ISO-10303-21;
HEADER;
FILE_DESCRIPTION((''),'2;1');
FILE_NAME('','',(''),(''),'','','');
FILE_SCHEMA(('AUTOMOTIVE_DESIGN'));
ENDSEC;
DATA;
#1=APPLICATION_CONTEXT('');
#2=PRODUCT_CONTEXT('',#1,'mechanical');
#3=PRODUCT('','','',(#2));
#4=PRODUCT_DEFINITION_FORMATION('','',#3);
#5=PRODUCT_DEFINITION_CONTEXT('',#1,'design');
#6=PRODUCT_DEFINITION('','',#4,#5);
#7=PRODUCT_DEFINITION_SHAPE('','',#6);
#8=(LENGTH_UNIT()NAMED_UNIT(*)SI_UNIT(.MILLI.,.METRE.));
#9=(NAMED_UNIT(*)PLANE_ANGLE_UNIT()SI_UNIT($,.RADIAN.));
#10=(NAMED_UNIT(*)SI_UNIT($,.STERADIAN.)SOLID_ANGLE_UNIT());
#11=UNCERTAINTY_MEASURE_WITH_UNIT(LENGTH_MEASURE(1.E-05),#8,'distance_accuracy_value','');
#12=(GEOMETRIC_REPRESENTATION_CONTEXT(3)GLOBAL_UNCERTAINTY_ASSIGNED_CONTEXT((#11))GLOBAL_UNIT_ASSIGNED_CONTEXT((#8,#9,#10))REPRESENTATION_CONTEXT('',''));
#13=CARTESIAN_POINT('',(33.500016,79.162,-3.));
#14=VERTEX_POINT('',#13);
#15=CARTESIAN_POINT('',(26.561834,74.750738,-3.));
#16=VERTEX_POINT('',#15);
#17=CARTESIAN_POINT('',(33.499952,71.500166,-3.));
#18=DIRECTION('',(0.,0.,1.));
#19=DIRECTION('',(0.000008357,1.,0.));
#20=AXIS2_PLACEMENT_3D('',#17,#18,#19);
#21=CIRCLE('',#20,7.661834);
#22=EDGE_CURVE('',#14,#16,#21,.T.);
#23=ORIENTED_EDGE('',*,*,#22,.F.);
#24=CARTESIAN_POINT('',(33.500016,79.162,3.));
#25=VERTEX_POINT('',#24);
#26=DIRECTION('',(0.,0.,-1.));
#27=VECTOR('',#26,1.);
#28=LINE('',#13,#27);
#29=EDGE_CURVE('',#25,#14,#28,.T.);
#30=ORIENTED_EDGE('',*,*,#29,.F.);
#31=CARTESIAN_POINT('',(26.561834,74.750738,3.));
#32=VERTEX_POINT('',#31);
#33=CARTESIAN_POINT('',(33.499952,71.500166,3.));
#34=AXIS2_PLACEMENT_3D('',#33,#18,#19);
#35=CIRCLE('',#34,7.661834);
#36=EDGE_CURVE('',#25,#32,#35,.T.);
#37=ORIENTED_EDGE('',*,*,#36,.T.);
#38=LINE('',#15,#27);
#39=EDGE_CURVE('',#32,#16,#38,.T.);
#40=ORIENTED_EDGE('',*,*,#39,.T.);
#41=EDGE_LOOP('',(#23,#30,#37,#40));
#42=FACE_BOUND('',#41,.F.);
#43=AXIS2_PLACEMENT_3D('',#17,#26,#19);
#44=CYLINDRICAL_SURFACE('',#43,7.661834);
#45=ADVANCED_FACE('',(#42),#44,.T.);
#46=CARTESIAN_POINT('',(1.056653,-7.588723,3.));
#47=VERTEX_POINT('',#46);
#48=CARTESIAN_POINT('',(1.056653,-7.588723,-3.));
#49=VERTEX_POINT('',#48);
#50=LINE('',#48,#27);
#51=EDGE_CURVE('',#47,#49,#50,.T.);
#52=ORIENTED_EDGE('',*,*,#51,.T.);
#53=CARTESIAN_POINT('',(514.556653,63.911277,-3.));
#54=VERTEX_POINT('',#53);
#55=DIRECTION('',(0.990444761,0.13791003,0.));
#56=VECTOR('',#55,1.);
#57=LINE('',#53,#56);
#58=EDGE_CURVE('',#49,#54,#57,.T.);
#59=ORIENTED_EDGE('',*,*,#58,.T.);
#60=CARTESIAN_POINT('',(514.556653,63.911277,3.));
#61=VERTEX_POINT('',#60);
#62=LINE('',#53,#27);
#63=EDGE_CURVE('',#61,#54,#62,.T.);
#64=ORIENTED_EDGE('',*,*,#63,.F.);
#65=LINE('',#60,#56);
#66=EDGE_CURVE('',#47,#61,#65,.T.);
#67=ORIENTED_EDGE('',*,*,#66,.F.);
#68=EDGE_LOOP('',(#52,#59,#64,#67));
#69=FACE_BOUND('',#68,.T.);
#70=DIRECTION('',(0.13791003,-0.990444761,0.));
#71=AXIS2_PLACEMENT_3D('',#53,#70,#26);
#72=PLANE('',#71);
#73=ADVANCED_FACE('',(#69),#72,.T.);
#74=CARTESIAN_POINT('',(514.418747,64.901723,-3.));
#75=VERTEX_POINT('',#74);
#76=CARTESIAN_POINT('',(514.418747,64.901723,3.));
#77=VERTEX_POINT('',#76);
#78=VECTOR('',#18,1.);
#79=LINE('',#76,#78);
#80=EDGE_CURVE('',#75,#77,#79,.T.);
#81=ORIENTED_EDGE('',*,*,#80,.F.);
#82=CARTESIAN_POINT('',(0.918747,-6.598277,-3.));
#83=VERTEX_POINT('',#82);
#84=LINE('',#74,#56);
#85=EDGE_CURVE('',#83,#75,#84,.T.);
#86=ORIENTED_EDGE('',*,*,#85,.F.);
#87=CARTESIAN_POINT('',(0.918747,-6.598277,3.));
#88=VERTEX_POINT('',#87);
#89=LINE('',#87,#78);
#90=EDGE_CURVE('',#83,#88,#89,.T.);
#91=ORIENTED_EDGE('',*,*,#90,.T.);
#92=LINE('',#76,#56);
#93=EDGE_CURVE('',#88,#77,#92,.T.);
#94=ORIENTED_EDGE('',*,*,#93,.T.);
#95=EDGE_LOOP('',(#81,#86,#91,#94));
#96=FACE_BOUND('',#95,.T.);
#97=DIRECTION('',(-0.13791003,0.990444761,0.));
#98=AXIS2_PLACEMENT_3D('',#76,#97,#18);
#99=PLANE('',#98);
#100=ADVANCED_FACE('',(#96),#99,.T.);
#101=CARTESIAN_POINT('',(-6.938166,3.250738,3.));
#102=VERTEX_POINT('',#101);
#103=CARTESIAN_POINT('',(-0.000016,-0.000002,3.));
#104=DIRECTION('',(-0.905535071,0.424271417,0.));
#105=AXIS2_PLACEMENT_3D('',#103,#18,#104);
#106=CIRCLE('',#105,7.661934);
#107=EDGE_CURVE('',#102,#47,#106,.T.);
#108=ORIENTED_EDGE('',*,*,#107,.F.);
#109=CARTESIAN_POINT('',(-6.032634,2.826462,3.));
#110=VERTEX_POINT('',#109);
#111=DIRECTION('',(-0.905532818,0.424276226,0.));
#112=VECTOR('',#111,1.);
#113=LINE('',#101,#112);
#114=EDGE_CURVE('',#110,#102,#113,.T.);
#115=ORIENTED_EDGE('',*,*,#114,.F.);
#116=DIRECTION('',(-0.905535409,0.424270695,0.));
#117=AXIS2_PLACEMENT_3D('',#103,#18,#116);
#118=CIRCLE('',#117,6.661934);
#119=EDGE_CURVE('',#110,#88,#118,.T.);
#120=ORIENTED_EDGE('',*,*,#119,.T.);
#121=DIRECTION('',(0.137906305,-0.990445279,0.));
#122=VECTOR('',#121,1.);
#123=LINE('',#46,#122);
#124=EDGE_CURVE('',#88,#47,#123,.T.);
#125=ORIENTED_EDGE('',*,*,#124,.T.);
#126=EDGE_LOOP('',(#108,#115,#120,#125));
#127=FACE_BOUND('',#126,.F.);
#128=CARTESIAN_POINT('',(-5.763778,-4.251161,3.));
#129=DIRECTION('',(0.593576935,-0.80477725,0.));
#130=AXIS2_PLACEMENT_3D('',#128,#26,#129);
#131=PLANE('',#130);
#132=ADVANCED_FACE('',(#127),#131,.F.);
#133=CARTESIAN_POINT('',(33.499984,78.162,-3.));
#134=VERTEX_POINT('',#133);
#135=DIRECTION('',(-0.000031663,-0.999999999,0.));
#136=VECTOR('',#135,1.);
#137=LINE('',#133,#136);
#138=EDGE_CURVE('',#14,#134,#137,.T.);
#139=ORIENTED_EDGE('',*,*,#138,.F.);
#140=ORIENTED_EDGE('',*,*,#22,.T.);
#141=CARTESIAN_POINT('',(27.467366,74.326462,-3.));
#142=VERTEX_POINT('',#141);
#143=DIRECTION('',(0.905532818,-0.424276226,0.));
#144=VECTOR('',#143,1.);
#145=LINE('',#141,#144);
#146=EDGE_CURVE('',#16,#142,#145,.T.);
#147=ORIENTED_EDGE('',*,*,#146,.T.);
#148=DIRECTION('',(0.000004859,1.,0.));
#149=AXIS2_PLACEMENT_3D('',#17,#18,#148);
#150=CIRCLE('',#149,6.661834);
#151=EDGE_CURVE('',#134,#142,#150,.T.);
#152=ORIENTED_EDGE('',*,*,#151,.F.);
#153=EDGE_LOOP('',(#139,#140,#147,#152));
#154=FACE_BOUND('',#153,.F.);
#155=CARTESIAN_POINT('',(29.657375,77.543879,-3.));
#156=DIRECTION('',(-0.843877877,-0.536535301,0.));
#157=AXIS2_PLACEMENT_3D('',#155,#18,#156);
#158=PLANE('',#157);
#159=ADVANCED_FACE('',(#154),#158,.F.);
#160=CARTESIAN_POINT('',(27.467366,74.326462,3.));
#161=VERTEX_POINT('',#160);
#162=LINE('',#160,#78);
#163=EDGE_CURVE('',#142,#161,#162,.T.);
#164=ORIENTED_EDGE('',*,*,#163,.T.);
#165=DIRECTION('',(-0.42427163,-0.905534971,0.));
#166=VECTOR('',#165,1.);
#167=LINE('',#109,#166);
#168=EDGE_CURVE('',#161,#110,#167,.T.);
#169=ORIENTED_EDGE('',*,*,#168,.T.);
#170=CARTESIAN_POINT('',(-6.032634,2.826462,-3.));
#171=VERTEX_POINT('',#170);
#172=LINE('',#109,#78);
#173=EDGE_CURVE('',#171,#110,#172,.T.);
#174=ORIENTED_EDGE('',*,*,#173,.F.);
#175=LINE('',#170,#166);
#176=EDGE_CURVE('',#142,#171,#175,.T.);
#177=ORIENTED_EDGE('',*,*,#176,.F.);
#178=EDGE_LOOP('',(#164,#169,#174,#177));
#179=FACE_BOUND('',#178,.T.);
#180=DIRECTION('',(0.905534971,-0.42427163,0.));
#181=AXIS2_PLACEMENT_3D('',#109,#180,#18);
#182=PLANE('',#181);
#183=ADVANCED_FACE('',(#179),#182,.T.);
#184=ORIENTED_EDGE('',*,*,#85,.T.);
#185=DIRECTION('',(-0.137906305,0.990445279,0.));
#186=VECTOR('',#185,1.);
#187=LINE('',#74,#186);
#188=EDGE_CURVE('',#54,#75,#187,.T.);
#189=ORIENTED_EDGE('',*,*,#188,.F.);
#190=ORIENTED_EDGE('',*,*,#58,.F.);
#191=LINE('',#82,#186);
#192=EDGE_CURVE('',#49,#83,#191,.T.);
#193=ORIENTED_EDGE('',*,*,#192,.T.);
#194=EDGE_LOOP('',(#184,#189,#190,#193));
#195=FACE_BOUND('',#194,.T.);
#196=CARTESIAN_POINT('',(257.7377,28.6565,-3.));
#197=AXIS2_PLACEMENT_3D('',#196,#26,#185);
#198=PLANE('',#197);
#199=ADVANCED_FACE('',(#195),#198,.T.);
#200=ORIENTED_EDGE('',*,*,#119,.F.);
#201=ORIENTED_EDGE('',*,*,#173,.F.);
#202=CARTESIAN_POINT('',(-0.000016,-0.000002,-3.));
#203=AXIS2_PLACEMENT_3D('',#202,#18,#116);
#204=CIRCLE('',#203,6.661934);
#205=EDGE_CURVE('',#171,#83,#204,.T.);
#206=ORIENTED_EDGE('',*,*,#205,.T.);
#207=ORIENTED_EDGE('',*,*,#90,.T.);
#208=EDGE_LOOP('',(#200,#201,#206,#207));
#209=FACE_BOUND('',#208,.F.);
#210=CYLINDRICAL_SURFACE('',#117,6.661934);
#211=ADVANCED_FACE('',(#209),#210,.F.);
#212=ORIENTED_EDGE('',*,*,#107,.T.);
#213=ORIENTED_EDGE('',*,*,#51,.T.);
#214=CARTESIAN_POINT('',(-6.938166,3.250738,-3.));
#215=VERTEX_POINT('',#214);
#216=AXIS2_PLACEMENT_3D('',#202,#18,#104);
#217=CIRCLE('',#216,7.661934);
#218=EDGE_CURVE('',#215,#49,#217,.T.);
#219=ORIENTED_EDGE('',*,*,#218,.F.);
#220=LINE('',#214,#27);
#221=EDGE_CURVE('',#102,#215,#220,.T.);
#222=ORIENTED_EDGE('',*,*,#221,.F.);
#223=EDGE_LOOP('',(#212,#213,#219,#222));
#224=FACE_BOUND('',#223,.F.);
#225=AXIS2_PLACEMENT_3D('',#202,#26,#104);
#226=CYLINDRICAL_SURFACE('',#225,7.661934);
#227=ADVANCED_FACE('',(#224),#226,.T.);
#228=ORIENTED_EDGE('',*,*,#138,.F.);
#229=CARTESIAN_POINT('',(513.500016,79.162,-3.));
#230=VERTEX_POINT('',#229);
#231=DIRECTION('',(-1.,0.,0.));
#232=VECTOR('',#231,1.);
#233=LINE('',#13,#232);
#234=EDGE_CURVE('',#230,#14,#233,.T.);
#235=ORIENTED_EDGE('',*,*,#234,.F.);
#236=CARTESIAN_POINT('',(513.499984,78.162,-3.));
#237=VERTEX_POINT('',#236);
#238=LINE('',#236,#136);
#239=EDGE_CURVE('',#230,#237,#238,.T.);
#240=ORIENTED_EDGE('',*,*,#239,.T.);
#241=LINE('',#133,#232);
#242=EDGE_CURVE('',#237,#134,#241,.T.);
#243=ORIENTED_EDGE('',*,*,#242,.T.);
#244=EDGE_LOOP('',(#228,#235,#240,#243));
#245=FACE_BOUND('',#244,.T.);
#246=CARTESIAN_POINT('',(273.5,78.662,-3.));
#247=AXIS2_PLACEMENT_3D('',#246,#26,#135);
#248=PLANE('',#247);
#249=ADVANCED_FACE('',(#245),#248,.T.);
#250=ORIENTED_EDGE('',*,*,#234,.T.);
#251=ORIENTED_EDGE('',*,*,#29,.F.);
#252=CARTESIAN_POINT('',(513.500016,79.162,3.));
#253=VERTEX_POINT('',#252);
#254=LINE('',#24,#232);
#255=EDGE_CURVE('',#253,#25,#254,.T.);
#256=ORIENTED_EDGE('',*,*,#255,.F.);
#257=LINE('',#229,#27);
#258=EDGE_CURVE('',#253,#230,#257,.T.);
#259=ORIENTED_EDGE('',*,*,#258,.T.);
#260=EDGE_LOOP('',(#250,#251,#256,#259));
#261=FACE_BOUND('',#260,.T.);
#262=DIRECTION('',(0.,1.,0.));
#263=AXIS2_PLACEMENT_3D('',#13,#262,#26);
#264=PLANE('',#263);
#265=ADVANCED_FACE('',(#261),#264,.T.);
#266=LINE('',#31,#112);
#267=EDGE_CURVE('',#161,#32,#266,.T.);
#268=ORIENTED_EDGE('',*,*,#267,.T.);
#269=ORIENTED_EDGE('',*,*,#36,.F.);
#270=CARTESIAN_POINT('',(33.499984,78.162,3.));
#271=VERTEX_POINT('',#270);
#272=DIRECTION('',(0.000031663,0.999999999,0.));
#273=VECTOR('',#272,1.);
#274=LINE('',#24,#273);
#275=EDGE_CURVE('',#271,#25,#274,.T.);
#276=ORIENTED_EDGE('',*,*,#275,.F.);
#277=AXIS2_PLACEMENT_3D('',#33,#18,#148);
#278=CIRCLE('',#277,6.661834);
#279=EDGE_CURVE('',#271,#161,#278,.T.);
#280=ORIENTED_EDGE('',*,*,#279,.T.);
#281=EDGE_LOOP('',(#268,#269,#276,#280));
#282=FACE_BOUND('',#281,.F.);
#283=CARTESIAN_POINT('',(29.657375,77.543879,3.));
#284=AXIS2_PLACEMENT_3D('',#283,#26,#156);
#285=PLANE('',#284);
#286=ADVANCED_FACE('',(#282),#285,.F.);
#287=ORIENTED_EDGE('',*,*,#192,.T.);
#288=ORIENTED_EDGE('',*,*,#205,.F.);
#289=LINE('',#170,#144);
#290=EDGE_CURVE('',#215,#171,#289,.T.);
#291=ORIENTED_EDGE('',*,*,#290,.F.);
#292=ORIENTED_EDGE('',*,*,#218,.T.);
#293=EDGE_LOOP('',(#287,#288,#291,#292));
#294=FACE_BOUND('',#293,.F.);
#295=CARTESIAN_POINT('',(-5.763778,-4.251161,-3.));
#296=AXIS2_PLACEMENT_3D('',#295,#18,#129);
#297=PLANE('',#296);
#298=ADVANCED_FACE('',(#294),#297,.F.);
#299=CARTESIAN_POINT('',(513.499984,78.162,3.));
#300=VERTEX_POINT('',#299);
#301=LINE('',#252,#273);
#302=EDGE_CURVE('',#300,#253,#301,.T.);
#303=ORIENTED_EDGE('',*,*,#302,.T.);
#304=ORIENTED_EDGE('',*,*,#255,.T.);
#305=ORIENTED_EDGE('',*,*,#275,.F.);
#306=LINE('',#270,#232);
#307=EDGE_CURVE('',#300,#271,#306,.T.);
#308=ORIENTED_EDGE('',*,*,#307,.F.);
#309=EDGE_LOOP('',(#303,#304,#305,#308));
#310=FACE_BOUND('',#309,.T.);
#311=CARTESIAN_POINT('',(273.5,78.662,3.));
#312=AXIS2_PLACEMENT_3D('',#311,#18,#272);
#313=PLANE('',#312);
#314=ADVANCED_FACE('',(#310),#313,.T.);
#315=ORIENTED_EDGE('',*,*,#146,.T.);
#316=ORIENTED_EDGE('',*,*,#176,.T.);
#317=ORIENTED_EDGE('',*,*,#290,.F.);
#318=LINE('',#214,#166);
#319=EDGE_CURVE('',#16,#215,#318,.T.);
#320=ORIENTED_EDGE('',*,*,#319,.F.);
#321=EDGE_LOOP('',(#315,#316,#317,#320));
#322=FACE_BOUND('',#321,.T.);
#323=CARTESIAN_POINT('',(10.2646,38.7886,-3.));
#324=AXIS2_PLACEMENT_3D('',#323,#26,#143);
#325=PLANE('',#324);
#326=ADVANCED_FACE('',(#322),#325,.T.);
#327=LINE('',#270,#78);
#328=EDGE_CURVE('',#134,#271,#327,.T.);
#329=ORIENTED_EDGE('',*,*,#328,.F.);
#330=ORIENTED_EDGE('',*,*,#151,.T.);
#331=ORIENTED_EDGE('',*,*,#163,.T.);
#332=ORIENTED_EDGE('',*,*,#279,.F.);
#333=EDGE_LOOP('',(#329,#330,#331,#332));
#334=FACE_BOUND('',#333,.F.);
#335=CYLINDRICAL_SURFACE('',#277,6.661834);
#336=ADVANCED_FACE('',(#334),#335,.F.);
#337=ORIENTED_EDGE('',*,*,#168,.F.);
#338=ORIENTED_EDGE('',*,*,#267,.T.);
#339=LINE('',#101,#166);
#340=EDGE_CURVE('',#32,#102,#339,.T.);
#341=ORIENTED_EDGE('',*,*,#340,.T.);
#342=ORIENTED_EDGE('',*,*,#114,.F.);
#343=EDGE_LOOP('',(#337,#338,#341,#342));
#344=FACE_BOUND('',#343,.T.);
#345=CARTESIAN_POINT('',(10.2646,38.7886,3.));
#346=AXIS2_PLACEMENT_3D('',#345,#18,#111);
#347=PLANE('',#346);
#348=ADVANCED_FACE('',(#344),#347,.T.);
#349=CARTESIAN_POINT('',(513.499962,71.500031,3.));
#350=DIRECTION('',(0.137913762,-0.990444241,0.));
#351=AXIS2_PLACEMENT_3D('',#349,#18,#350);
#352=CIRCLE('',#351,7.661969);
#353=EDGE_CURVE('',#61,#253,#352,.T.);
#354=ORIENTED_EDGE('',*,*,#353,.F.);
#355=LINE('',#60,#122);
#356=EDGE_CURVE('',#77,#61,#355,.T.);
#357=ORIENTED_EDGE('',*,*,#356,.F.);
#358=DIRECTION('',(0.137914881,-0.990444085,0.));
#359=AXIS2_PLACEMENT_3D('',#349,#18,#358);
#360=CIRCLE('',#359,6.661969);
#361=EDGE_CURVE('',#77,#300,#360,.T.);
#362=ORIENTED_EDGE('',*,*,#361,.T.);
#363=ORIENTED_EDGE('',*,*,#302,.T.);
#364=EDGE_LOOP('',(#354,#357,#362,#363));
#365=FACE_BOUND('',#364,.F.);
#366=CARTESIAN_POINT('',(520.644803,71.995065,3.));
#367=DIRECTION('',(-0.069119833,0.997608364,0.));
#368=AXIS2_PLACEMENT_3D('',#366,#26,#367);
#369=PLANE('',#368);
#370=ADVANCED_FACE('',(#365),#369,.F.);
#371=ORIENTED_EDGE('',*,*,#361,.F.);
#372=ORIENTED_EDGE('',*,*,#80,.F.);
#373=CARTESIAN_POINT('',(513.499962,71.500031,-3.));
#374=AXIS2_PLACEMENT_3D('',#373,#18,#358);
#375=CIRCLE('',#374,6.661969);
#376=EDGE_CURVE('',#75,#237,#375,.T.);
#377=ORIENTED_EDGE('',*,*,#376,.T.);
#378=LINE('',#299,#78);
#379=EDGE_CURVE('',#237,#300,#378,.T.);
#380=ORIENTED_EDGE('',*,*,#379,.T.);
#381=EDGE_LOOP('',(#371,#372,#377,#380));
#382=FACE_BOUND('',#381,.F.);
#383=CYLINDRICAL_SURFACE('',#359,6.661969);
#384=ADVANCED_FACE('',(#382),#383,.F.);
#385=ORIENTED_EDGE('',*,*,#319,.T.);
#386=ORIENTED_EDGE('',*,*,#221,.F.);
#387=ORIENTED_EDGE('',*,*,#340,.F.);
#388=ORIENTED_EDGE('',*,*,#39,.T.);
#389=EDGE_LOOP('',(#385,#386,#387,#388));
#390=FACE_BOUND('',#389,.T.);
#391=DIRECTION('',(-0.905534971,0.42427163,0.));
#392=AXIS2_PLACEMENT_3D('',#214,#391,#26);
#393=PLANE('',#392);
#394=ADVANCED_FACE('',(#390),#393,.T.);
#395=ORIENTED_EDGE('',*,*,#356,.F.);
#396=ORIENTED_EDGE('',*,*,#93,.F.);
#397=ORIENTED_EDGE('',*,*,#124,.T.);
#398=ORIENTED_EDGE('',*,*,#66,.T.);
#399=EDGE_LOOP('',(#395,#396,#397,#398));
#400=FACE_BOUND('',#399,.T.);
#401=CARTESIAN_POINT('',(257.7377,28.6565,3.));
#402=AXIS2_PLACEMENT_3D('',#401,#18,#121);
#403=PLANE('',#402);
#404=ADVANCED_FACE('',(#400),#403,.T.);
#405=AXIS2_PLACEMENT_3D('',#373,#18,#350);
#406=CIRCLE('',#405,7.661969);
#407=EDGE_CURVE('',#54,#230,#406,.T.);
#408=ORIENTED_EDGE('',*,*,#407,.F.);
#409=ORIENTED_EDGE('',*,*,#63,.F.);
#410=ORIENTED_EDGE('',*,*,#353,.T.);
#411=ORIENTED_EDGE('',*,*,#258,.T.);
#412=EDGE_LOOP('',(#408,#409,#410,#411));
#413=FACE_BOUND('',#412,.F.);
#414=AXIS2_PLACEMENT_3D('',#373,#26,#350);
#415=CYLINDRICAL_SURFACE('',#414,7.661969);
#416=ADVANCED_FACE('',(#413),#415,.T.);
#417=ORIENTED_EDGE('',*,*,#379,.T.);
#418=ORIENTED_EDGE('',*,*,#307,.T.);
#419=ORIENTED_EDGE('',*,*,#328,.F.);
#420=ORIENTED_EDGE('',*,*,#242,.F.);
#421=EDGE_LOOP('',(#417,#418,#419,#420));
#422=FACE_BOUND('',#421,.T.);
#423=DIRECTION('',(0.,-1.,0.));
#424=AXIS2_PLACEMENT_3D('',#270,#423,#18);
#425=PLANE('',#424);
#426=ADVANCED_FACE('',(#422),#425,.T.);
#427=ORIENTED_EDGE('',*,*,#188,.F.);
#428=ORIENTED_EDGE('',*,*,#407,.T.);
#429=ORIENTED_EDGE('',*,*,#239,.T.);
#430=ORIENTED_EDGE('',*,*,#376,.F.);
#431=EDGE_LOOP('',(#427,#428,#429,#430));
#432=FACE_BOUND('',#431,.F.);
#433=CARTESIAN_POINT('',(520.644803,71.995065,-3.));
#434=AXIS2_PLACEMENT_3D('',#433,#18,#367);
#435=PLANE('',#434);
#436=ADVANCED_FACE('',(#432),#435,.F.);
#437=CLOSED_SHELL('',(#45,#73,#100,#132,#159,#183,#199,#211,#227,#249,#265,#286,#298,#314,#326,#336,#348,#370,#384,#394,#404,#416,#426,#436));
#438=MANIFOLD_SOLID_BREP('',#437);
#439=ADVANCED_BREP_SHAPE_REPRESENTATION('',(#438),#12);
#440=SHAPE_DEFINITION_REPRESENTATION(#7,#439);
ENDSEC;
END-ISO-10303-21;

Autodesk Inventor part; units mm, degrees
sketch "Skizzenpfad" plane through (0, 0, 0) normal (0, 0, 1) x (1, 0, 0)
  arc A0 (-6.4854, 3.0386) -> (0.9877, -7.0935) centre (0, 0) ccw
  arc A1 (33.5, 78.662) -> (27.0146, 74.5386) centre (33.5, 71.5) ccw
  arc A2 (514.4877, 64.4065) -> (513.5, 78.662) centre (513.5, 71.5) ccw
  line L0 (514.4877, 64.4065) -> (0.9877, -7.0935)
  line L1 (-6.4854, 3.0386) -> (27.0146, 74.5386)
  line L2 (33.5, 78.662) -> (513.5, 78.662)
ref_plane "Querschnittsebene" through (0.9877, -7.0935, 0) normal (0.9904, 0.1379, 0) x (0, 0, 1)
ref_plane "Arbeitsebene2" through (0, 0, 0) normal (-1, 0, 0) x (0, 0, 1)
ref_plane "Arbeitsebene3" through (33.5, 71.5, 0) normal (-0.8511, -0.525, 0) x (0, 0, 1)
ref_plane "Arbeitsebene4" through (513.5, 71.5, 0) normal (-0.9895, 0.1449, 0) x (0, 0, 1)
sketch "Querschnitt" plane through (0.9877, -7.0935, 0) normal (0.9904, 0.1379, 0) x (0, 0, 1)
  line L0 (-3, 0.5) -> (3, 0.5)
  line L1 (3, 0.5) -> (3, -0.5)
  line L2 (3, -0.5) -> (-3, -0.5)
  line L3 (-3, -0.5) -> (-3, 0.5)
  line L4 (-3, 0) -> (3, 0) construction
  point P0 (0, 0)
  point P1 (0, 0)
  dimension "d0" = 6
  dimension "d4" = 0.5
  dimension "d5" = 0.5
sweep "Riemen" add profiles "Querschnitt" path "Skizzenpfad"
equation "\"d0\" = da_B"
equation "\"d4\" = da_a"
equation "\"d5\" = da_a2"
equation "\"da_B\" = 6"
equation "\"da_pb\" = 5"
equation "\"da_L\" = 1122.4128"
equation "\"da_a\" = 0.5"
equation "\"da_S\" = 2.65"
equation "\"da_Beta\" = 20deg"
equation "\"da_Ht\" = 1.2"
equation "\"da_H\" = 2.2"
equation "\"da_a2\" = 0.5"
properties part number "Zahnriemen" material "Rubber"
